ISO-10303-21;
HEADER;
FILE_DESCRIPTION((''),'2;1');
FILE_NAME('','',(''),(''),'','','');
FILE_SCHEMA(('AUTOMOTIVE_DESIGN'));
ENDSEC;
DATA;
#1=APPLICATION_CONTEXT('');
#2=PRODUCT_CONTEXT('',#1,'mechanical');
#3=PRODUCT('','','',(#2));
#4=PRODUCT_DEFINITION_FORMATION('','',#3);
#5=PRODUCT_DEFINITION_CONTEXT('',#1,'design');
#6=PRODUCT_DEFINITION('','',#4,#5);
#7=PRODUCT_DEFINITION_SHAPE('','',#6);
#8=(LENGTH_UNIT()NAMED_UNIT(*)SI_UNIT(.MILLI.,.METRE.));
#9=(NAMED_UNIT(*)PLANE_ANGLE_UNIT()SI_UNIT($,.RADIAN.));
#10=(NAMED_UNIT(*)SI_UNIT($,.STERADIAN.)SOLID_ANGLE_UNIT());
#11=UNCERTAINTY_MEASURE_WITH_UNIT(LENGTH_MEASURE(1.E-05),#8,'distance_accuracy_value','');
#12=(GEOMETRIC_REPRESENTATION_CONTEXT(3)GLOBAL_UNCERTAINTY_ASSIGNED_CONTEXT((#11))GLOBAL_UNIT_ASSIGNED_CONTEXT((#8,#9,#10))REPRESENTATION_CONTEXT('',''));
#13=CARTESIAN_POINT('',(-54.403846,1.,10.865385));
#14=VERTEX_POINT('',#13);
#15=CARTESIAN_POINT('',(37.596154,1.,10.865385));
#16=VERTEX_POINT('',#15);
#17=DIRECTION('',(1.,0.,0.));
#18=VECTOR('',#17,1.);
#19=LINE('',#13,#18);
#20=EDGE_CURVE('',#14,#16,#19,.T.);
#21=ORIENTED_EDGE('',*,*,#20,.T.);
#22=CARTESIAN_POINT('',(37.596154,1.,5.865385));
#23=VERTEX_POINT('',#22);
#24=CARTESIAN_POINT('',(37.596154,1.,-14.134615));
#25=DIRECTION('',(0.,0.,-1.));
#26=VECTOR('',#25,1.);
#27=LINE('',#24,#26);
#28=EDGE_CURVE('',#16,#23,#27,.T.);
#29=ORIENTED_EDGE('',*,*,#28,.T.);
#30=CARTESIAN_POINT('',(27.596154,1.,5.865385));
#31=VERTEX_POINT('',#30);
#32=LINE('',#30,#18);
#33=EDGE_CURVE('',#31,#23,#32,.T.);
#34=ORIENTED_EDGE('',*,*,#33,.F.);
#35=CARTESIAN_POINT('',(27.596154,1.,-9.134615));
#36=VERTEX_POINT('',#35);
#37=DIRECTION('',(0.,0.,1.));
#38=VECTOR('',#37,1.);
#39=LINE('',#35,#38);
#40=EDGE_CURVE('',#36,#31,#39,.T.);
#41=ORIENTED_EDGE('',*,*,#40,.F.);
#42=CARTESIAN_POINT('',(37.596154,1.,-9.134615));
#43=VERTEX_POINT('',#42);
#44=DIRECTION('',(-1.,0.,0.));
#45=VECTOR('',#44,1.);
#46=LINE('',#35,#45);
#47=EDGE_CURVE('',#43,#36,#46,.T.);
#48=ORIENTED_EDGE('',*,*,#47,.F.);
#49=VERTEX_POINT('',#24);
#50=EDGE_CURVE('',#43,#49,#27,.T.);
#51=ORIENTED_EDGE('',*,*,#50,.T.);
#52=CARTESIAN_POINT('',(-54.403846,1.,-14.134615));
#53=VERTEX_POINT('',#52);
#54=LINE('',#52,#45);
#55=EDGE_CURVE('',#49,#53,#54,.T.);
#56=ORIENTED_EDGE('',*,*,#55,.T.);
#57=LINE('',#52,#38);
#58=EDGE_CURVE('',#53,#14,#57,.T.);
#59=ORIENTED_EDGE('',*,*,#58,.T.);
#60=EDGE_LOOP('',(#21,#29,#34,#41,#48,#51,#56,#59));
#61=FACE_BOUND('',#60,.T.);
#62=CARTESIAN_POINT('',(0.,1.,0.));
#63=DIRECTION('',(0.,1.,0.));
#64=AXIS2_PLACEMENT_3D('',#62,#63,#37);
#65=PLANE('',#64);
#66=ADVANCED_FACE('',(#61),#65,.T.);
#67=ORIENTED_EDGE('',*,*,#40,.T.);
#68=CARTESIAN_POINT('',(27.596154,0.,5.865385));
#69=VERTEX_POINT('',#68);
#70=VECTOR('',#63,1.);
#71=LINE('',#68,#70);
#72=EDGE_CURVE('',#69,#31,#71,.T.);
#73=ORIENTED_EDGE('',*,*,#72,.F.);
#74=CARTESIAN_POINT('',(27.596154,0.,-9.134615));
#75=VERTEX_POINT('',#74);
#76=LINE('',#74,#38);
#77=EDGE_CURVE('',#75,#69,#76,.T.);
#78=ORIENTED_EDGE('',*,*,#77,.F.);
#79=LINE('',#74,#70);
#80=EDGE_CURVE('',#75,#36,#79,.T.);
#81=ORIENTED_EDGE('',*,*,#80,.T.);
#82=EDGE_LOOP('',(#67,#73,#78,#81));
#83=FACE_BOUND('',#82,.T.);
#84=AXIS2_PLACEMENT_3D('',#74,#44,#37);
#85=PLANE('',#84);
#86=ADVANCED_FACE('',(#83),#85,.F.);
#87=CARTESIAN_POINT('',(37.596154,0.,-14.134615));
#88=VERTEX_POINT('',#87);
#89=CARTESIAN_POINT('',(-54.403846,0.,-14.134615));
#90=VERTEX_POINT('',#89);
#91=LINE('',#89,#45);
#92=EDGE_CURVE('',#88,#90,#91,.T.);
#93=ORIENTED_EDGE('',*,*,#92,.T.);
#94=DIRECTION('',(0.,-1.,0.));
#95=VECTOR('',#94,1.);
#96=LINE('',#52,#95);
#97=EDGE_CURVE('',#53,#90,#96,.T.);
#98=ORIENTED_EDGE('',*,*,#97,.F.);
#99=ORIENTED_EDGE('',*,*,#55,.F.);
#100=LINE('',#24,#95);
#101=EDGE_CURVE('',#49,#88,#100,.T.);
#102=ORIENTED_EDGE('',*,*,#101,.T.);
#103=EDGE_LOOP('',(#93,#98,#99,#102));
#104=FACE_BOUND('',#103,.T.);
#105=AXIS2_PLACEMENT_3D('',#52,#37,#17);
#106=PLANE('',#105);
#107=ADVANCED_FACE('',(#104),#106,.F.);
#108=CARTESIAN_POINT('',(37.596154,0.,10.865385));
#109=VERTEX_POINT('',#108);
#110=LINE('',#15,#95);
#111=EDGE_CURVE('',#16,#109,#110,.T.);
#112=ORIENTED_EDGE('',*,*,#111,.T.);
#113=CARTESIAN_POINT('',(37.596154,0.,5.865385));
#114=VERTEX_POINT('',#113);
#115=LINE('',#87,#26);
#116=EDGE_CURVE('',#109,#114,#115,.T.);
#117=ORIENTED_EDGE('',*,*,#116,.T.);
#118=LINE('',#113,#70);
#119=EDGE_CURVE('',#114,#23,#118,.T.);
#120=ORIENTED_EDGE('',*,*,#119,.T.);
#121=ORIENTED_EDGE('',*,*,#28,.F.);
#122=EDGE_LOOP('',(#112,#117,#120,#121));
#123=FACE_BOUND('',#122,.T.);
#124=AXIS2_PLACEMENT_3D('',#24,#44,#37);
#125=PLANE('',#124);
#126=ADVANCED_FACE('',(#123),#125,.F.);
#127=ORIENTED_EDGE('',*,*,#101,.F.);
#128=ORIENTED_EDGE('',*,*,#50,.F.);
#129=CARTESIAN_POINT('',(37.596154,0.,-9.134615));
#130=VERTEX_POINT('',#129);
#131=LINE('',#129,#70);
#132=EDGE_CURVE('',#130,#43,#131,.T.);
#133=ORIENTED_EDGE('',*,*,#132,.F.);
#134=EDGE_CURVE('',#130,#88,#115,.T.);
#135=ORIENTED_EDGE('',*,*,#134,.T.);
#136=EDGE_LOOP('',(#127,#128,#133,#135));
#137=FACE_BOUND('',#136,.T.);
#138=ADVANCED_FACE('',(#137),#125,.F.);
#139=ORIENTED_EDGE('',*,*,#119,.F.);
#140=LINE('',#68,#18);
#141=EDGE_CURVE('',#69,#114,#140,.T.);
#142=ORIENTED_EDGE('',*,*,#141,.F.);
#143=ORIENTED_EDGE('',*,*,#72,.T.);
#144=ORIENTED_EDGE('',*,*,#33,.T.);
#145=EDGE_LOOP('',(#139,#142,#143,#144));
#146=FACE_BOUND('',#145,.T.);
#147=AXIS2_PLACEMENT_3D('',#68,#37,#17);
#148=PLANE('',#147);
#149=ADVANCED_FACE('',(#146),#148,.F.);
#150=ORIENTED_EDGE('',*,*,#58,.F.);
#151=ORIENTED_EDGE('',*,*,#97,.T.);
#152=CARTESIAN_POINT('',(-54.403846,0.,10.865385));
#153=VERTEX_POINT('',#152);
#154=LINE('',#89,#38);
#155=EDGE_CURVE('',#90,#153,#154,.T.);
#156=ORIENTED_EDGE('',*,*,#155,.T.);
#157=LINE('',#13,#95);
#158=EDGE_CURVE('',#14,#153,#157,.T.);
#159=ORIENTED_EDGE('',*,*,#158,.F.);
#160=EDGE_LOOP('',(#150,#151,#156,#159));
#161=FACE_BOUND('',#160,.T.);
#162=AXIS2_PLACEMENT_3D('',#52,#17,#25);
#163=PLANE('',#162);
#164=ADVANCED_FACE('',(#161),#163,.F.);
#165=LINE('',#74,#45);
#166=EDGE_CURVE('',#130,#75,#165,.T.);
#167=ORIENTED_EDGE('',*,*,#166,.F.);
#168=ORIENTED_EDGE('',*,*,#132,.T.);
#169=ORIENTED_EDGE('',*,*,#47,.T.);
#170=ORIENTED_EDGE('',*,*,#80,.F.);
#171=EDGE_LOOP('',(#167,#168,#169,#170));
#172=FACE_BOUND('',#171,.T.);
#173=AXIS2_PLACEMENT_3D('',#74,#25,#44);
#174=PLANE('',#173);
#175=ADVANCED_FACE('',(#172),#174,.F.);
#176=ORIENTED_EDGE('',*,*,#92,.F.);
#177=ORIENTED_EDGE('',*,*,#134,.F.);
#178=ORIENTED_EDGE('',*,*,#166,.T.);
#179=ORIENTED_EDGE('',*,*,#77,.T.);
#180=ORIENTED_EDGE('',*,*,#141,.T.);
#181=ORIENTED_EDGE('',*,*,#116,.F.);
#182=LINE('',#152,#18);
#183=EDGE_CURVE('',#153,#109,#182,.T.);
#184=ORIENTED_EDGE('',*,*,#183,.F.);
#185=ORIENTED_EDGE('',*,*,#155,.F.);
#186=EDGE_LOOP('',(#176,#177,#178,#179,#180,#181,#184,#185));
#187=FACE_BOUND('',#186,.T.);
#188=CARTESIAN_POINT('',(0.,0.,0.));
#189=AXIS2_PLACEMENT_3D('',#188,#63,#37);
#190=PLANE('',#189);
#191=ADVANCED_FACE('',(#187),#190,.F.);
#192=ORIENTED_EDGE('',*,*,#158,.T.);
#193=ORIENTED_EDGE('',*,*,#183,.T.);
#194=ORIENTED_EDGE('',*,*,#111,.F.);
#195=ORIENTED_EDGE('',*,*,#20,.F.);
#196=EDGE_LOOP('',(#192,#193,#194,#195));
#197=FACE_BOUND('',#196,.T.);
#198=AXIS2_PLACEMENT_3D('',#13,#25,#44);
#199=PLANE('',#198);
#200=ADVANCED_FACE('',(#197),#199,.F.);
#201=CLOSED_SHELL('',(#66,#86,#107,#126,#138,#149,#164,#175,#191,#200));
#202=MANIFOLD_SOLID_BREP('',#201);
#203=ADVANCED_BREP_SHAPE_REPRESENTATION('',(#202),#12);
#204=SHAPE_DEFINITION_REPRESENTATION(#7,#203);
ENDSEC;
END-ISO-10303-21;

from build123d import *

# Parameters (mm, degrees)
SKETCH_1_W          = 92
SKETCH_1_H          = 25
EXTRUDE_1_DEPTH     = 1
SKETCH_2_W          = 10
SKETCH_2_H          = 15
CUT_EXTRUDE_1_DEPTH = 1


with BuildPart() as part:
    # 草图1 → 凸台-拉伸1 (new body)
    with BuildSketch(Plane(origin=(0, 0, 0), x_dir=(1, 0, 0), z_dir=(0, 1, 0))):
        with Locations((-8.403846154, 1.634615385)):
            Rectangle(SKETCH_1_W, SKETCH_1_H)
    extrude(amount=EXTRUDE_1_DEPTH)

    # 草图2 → 切除-拉伸1 (cut)
    with BuildSketch(Plane(origin=(0, 1, 0), x_dir=(1, 0, 0), z_dir=(0, 1, 0))):
        with Locations((32.596153846, 1.634615385)):
            Rectangle(SKETCH_2_W, SKETCH_2_H)
    extrude(amount=-CUT_EXTRUDE_1_DEPTH, mode=Mode.SUBTRACT)


solid = part.part
